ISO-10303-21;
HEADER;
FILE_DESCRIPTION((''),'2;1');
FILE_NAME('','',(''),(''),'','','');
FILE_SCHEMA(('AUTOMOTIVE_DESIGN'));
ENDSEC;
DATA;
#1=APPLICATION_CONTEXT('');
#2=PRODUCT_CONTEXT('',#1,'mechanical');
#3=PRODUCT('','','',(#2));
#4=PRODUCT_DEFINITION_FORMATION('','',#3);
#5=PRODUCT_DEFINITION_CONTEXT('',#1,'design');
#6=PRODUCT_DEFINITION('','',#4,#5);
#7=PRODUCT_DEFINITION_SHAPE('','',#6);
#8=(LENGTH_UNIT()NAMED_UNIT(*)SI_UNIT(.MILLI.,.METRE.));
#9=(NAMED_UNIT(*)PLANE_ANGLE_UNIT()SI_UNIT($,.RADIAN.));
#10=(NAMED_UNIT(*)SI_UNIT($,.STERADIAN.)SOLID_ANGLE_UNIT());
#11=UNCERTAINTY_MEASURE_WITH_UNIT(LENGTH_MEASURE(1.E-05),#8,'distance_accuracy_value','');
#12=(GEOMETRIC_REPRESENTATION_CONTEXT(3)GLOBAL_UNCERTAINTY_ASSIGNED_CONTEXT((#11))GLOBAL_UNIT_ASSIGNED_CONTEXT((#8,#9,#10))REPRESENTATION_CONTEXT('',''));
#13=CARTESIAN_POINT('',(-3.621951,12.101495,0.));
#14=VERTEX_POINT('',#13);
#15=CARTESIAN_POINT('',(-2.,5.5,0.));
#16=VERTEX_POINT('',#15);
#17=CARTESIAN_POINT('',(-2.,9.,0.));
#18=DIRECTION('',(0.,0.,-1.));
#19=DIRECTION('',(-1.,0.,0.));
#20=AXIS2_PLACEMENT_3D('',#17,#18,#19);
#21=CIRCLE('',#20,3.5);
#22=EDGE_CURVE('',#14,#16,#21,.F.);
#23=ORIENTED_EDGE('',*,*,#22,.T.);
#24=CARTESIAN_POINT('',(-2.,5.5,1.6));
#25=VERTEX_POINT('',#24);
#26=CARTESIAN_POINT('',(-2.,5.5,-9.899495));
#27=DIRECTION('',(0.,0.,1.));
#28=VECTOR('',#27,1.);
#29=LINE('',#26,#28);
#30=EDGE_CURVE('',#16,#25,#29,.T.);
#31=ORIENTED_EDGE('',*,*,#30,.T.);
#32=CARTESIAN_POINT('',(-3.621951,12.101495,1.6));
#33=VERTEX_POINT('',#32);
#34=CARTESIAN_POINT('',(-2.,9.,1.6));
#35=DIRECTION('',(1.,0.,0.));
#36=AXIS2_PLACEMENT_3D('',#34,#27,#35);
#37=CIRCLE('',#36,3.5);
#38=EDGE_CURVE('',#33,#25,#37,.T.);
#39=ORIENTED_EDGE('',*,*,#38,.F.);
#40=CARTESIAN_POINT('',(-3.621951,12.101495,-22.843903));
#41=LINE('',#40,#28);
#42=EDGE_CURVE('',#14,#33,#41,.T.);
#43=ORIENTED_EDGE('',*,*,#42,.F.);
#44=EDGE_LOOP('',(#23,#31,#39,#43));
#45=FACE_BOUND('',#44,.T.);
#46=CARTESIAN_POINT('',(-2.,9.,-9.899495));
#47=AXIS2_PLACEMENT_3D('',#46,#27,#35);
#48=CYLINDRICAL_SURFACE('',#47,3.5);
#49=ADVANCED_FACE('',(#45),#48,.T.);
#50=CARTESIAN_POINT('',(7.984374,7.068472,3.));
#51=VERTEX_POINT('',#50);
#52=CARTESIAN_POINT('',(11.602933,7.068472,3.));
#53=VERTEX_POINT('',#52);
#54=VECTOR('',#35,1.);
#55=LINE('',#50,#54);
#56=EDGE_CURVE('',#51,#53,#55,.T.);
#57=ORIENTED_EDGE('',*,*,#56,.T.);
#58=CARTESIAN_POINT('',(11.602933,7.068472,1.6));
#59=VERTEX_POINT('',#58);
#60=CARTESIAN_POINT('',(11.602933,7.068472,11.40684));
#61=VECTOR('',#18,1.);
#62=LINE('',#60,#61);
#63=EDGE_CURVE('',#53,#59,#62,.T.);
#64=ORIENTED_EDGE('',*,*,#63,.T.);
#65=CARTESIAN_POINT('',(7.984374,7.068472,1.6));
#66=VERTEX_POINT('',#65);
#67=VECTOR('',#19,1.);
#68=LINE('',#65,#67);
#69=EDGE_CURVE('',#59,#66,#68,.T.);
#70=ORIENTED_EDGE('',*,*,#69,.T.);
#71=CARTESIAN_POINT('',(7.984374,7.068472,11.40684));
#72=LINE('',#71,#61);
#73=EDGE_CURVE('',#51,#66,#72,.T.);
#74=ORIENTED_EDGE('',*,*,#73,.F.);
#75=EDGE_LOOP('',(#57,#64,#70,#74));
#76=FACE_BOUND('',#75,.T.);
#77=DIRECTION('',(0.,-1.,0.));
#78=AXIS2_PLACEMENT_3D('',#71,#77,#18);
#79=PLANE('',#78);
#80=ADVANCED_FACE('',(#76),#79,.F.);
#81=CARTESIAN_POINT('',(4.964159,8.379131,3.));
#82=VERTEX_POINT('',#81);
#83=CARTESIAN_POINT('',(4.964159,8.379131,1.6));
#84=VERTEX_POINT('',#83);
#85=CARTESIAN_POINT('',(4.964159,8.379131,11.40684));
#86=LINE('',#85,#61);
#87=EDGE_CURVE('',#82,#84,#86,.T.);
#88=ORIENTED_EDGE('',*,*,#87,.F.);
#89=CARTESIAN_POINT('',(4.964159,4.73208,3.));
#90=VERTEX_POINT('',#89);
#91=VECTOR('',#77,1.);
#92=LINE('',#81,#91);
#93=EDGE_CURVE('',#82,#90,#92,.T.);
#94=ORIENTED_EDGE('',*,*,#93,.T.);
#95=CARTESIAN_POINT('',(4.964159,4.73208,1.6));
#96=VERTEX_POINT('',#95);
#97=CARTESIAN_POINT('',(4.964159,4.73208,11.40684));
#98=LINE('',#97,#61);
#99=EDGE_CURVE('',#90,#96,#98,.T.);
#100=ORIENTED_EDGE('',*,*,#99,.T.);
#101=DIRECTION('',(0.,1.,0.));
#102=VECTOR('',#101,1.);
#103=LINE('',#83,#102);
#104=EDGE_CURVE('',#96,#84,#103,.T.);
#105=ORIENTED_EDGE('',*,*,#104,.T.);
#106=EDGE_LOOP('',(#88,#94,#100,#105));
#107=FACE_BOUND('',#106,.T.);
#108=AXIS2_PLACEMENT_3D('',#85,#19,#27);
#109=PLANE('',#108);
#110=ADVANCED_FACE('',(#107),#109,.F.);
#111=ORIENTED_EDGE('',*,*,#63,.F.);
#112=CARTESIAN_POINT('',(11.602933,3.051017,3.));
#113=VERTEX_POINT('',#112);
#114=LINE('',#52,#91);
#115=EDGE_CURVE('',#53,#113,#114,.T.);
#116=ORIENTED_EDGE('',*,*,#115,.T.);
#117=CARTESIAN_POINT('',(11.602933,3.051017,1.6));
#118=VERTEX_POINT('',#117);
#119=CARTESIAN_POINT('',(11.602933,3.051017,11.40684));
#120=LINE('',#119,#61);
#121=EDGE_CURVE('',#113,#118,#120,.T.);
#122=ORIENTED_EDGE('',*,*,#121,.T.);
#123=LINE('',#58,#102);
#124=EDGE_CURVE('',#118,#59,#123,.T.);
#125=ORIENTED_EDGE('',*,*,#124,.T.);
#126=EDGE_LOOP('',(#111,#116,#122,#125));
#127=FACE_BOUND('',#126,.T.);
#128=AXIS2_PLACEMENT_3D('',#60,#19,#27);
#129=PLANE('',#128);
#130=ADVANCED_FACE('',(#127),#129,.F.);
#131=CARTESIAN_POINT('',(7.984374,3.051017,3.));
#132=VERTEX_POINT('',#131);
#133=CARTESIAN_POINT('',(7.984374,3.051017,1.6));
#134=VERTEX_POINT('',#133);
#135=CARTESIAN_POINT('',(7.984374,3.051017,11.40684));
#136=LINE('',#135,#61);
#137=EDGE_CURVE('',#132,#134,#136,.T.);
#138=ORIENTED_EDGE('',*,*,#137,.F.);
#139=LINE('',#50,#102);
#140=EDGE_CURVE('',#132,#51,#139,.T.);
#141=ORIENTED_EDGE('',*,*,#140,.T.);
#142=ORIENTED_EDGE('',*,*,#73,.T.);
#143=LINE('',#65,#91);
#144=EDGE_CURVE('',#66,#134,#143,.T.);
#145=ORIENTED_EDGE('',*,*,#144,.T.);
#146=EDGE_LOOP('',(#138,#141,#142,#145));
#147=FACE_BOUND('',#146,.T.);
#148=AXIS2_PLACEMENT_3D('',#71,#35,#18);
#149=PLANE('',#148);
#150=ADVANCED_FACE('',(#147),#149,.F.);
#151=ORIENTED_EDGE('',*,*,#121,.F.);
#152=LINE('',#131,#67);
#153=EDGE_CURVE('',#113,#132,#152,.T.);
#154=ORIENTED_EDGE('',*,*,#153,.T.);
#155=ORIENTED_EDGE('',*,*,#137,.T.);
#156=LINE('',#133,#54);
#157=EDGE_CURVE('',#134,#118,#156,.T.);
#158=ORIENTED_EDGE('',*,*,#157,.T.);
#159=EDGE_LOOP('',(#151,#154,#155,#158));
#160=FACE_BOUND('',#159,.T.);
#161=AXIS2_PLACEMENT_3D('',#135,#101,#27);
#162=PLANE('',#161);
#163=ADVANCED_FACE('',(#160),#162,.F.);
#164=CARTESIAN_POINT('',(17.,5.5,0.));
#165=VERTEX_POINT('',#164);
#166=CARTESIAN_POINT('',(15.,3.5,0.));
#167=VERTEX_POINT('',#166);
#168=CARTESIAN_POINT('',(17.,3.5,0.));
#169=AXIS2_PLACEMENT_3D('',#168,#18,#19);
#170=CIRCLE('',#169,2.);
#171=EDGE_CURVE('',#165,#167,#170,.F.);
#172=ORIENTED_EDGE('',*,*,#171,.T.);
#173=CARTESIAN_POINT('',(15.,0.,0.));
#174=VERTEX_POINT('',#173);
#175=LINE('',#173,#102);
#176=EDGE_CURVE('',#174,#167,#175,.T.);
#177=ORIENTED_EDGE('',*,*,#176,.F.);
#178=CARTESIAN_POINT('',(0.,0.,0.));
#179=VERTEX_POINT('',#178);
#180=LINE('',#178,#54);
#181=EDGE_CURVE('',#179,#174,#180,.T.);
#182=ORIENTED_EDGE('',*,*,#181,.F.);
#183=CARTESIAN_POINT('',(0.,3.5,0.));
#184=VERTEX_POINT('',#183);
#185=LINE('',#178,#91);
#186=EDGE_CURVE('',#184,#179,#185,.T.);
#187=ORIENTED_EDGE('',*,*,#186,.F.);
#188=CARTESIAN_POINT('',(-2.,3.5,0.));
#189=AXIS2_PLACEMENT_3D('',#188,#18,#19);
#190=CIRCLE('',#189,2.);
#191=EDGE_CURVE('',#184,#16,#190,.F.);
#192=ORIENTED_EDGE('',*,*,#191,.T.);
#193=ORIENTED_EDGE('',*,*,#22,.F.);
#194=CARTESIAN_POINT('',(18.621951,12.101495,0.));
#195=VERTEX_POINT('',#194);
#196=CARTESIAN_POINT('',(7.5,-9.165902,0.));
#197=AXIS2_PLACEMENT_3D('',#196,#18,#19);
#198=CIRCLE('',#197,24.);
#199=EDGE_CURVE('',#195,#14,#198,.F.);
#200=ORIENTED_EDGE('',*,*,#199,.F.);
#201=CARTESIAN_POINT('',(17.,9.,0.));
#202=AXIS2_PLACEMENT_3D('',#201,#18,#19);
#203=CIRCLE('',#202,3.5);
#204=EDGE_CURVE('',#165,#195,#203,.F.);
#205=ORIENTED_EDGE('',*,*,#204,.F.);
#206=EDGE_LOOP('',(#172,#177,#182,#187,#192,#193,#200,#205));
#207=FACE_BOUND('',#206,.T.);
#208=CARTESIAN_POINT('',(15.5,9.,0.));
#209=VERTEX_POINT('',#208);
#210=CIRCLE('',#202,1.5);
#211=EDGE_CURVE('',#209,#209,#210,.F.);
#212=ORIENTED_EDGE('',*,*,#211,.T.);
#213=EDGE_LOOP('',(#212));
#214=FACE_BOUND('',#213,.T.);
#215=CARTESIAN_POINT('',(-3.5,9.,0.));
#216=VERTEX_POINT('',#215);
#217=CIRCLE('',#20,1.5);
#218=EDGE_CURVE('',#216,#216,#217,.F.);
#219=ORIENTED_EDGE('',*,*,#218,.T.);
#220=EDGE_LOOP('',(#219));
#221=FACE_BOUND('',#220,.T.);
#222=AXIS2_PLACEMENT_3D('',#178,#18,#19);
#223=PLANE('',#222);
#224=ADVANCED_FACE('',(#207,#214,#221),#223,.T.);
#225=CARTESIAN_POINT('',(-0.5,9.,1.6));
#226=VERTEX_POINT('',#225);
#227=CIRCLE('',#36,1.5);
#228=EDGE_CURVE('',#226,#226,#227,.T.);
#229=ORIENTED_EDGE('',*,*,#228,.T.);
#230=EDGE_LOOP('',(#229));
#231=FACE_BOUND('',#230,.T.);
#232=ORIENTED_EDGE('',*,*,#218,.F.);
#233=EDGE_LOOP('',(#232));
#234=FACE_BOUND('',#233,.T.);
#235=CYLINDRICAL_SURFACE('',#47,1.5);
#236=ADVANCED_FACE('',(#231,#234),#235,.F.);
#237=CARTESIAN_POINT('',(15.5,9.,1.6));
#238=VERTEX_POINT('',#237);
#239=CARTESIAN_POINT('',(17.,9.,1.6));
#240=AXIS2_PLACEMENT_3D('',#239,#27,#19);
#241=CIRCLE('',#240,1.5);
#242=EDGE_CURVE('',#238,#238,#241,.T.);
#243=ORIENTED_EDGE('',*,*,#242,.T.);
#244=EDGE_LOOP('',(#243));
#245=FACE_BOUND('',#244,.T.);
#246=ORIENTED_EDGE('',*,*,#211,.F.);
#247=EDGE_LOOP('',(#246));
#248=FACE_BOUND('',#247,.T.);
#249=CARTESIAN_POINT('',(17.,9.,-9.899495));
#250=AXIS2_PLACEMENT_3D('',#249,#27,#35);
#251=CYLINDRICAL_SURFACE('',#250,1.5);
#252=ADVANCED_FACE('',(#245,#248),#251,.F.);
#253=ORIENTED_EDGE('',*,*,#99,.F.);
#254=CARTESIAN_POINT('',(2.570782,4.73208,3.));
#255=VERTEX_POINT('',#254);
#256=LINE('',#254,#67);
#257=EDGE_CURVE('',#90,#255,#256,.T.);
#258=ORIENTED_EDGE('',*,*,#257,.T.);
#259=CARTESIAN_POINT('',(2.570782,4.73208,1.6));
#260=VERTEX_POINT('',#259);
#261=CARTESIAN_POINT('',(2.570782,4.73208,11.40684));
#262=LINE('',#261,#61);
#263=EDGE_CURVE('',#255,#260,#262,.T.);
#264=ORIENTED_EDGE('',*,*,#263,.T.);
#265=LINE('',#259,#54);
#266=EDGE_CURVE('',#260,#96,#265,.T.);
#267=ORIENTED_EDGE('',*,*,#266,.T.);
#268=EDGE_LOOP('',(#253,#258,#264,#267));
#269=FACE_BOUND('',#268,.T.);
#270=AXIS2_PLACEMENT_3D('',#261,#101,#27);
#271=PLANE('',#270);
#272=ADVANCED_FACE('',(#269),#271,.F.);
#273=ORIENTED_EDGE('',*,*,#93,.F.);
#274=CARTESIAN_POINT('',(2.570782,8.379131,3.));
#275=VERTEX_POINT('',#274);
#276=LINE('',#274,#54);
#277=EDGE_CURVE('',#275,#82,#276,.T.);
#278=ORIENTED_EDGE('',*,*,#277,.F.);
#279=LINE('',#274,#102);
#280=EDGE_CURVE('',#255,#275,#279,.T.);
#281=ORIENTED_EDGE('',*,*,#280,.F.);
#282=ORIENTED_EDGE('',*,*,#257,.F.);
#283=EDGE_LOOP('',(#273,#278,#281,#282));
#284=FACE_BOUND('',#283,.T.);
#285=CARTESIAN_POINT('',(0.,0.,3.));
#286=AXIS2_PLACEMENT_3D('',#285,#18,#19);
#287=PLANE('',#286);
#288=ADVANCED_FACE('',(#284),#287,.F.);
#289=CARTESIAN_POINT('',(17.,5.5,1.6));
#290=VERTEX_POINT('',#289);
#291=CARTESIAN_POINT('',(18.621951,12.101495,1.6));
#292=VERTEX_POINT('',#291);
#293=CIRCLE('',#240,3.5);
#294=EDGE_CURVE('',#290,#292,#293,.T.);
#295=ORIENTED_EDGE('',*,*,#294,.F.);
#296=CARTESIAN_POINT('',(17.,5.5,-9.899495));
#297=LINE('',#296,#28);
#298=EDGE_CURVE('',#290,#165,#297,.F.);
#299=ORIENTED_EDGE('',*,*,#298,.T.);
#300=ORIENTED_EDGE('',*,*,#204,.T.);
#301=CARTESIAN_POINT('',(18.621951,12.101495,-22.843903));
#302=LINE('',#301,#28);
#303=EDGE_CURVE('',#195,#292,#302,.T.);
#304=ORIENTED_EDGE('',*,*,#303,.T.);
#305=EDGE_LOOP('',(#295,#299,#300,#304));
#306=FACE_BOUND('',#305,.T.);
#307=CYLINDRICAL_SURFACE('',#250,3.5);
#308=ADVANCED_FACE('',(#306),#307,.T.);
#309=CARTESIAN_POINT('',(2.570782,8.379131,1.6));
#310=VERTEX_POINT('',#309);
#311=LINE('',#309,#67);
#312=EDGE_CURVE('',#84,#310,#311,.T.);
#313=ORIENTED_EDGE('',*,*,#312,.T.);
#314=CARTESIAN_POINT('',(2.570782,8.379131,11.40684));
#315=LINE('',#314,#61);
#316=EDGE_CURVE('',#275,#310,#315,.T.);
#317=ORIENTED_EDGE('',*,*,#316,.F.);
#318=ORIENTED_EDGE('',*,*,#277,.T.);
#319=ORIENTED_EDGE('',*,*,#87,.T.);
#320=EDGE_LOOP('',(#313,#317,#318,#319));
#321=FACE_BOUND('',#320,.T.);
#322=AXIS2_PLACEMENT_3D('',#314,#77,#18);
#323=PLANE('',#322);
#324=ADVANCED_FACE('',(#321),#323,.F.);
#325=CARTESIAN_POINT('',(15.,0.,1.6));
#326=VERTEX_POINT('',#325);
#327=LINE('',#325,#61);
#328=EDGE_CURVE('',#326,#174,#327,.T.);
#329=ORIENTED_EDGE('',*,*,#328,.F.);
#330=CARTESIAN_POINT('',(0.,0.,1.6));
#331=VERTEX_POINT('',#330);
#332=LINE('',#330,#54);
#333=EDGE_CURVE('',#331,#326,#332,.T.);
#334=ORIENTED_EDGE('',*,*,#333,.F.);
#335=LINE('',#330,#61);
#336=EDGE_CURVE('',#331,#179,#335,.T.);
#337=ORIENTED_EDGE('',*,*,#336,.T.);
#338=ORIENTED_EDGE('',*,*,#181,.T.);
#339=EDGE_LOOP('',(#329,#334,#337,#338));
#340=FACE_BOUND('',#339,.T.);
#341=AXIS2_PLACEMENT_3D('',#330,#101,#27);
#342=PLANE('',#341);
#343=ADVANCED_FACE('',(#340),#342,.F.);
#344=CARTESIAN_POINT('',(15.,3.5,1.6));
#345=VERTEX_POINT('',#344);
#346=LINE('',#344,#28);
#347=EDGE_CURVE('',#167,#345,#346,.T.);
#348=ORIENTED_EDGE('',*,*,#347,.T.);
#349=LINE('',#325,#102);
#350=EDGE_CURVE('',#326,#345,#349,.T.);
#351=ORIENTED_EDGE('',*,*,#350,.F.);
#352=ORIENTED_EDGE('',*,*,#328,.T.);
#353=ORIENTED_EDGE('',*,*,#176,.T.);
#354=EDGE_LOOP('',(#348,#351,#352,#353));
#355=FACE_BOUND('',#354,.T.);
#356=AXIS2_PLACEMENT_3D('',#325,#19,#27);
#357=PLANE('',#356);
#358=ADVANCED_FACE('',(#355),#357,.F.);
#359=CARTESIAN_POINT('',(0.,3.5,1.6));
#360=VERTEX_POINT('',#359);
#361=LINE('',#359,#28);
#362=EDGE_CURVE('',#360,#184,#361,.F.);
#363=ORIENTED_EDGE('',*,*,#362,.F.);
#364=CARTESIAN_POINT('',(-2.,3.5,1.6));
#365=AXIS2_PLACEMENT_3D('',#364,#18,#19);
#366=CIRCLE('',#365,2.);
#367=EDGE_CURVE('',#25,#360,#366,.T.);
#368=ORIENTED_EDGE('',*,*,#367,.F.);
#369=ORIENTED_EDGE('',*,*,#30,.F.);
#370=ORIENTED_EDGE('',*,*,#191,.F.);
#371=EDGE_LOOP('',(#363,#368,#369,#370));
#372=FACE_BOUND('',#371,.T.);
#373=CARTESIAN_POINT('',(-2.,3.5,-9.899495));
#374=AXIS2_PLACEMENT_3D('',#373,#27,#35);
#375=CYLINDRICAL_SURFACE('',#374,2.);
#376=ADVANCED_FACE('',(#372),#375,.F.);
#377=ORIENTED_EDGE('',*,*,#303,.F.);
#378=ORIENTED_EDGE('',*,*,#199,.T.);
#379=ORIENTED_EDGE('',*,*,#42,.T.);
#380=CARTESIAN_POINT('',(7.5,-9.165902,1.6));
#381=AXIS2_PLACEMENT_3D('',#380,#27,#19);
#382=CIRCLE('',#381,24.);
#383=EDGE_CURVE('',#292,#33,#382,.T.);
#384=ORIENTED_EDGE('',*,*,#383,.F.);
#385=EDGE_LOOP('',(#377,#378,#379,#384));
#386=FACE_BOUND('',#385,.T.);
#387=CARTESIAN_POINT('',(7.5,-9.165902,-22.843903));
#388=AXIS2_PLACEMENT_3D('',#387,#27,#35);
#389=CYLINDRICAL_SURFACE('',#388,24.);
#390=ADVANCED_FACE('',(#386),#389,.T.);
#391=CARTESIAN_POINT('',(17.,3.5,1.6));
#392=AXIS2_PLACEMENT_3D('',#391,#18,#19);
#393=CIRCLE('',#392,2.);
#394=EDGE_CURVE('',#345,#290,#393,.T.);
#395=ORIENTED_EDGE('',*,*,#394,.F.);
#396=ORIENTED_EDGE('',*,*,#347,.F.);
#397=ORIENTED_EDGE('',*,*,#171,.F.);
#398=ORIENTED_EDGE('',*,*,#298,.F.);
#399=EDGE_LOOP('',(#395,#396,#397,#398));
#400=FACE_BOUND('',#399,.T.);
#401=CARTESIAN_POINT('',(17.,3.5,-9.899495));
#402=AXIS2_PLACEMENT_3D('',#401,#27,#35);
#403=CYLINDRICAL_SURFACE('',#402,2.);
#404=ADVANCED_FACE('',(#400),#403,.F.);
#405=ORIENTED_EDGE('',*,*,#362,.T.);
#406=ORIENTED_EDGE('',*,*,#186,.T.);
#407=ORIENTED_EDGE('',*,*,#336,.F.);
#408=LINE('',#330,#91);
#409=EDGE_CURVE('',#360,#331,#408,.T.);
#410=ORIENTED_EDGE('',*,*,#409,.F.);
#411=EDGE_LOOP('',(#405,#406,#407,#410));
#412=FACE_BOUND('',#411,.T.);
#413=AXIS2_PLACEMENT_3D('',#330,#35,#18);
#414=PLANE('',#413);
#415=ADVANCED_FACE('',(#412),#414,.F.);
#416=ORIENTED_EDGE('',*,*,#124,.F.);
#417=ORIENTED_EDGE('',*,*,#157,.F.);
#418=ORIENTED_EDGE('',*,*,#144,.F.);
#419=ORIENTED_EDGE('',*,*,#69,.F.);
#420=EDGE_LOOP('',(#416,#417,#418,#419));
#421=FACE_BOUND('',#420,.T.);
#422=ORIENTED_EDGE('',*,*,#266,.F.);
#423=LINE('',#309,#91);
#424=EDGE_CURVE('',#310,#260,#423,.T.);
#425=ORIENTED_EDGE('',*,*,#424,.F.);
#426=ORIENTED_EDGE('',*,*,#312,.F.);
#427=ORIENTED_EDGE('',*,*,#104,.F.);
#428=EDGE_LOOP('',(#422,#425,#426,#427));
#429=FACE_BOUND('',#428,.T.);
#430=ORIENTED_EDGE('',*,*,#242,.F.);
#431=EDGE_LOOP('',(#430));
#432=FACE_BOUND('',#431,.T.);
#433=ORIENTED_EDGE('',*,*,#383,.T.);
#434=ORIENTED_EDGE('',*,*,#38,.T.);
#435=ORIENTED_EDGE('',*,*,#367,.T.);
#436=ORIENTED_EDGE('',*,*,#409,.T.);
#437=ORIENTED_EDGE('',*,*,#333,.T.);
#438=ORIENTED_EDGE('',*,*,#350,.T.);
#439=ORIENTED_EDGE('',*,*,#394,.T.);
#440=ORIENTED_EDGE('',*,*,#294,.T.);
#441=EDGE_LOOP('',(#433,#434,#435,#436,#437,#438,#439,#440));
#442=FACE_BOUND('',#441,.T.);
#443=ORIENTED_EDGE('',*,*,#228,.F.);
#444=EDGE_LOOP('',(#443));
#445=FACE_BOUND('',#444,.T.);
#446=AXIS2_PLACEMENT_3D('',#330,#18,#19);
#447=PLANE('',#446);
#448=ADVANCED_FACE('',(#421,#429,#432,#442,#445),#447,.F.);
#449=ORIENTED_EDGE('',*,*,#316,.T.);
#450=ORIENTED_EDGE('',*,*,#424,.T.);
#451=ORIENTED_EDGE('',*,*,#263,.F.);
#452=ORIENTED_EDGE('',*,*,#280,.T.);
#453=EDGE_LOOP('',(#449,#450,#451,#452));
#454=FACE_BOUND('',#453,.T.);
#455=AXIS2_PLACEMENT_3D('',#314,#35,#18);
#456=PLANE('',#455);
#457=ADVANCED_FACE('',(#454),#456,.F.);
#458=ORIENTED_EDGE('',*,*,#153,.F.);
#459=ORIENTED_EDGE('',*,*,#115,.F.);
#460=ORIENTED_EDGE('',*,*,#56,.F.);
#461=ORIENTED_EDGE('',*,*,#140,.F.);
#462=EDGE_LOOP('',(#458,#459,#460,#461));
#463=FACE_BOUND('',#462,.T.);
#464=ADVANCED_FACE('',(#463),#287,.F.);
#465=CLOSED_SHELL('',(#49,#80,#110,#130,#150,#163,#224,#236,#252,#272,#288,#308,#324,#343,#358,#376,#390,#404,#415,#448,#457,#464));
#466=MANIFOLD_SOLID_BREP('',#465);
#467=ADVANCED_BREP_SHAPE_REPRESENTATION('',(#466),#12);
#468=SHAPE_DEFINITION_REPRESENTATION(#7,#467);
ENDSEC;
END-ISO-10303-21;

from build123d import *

# Parameters (mm, degrees)
SKETCH_1_W      = 15
SKETCH_1_H      = 13
EXTRUDE_1_DEPTH = 1.6
SKETCH_2_R      = 3.5
SKETCH_2_R_2    = 1.5
EXTRUDE_2_DEPTH = 1.6
FILLET_1_R      = 2
SKETCH_3_W      = 3.618558991
SKETCH_3_H      = 4.017455257
SKETCH_3_W_2    = 2.3933776
SKETCH_3_H_2    = 3.647051581
EXTRUDE_3_DEPTH = 1.4
EXTRUDE_4_DEPTH = 1.6


with BuildPart() as part:
    # Эскиз1 → Бобышка-Вытянуть1 (new body)
    with BuildSketch(Plane.XY):
        with Locations((7.5, 6.5)):
            Rectangle(SKETCH_1_W, SKETCH_1_H)
    extrude(amount=EXTRUDE_1_DEPTH)

    # Эскиз2 → Бобышка-Вытянуть2 (add)
    # profile 1 of 2: a face of its own
    with BuildSketch(Plane.XY.offset(1.6)):
        with Locations((-2, 9)):
            Circle(SKETCH_2_R)
        with Locations((-2, 9)):
            Circle(SKETCH_2_R_2, mode=Mode.SUBTRACT)
    # profile 2 of 2: a face of its own
    with BuildSketch(Plane.XY.offset(1.6)):
        with Locations((17, 9)):
            Circle(SKETCH_2_R)
        with Locations(Location((17, 9, 0), (0, 0, 180))):
            Circle(SKETCH_2_R_2, mode=Mode.SUBTRACT)
    extrude(amount=-EXTRUDE_2_DEPTH)

    # Скругление1
    fillet_1_edges = [part.edges().sort_by_distance(p)[0] for p in [
        (0, 6.127718677, 0.8),
        (15, 6.127718677, 0.8),
    ]]
    fillet(fillet_1_edges, radius=FILLET_1_R)

    # Эскиз3 → Бобышка-Вытянуть3 (add)
    with BuildSketch(Plane.XY.offset(1.6)):
        with Locations((9.793653534, 5.059744515)):
            Rectangle(SKETCH_3_W, SKETCH_3_H)
        with Locations((3.767470648, 6.555605515)):
            Rectangle(SKETCH_3_W_2, SKETCH_3_H_2)
    extrude(amount=EXTRUDE_3_DEPTH)

    # Эскиз4 → Бобышка-Вытянуть4 (add)
    with BuildSketch(Plane.XY.offset(1.6)):
        with BuildLine():
            Line((-3.62195122, 12.101495485), (7.5, 9.632875059))
            Line((7.5, 9.632875059), (18.62195122, 12.101495485))
            ThreePointArc((18.62195122, 12.101495485), (7.5, 14.834097875), (-3.62195122, 12.101495485))
        make_face()
    extrude(amount=-EXTRUDE_4_DEPTH)


solid = part.part
